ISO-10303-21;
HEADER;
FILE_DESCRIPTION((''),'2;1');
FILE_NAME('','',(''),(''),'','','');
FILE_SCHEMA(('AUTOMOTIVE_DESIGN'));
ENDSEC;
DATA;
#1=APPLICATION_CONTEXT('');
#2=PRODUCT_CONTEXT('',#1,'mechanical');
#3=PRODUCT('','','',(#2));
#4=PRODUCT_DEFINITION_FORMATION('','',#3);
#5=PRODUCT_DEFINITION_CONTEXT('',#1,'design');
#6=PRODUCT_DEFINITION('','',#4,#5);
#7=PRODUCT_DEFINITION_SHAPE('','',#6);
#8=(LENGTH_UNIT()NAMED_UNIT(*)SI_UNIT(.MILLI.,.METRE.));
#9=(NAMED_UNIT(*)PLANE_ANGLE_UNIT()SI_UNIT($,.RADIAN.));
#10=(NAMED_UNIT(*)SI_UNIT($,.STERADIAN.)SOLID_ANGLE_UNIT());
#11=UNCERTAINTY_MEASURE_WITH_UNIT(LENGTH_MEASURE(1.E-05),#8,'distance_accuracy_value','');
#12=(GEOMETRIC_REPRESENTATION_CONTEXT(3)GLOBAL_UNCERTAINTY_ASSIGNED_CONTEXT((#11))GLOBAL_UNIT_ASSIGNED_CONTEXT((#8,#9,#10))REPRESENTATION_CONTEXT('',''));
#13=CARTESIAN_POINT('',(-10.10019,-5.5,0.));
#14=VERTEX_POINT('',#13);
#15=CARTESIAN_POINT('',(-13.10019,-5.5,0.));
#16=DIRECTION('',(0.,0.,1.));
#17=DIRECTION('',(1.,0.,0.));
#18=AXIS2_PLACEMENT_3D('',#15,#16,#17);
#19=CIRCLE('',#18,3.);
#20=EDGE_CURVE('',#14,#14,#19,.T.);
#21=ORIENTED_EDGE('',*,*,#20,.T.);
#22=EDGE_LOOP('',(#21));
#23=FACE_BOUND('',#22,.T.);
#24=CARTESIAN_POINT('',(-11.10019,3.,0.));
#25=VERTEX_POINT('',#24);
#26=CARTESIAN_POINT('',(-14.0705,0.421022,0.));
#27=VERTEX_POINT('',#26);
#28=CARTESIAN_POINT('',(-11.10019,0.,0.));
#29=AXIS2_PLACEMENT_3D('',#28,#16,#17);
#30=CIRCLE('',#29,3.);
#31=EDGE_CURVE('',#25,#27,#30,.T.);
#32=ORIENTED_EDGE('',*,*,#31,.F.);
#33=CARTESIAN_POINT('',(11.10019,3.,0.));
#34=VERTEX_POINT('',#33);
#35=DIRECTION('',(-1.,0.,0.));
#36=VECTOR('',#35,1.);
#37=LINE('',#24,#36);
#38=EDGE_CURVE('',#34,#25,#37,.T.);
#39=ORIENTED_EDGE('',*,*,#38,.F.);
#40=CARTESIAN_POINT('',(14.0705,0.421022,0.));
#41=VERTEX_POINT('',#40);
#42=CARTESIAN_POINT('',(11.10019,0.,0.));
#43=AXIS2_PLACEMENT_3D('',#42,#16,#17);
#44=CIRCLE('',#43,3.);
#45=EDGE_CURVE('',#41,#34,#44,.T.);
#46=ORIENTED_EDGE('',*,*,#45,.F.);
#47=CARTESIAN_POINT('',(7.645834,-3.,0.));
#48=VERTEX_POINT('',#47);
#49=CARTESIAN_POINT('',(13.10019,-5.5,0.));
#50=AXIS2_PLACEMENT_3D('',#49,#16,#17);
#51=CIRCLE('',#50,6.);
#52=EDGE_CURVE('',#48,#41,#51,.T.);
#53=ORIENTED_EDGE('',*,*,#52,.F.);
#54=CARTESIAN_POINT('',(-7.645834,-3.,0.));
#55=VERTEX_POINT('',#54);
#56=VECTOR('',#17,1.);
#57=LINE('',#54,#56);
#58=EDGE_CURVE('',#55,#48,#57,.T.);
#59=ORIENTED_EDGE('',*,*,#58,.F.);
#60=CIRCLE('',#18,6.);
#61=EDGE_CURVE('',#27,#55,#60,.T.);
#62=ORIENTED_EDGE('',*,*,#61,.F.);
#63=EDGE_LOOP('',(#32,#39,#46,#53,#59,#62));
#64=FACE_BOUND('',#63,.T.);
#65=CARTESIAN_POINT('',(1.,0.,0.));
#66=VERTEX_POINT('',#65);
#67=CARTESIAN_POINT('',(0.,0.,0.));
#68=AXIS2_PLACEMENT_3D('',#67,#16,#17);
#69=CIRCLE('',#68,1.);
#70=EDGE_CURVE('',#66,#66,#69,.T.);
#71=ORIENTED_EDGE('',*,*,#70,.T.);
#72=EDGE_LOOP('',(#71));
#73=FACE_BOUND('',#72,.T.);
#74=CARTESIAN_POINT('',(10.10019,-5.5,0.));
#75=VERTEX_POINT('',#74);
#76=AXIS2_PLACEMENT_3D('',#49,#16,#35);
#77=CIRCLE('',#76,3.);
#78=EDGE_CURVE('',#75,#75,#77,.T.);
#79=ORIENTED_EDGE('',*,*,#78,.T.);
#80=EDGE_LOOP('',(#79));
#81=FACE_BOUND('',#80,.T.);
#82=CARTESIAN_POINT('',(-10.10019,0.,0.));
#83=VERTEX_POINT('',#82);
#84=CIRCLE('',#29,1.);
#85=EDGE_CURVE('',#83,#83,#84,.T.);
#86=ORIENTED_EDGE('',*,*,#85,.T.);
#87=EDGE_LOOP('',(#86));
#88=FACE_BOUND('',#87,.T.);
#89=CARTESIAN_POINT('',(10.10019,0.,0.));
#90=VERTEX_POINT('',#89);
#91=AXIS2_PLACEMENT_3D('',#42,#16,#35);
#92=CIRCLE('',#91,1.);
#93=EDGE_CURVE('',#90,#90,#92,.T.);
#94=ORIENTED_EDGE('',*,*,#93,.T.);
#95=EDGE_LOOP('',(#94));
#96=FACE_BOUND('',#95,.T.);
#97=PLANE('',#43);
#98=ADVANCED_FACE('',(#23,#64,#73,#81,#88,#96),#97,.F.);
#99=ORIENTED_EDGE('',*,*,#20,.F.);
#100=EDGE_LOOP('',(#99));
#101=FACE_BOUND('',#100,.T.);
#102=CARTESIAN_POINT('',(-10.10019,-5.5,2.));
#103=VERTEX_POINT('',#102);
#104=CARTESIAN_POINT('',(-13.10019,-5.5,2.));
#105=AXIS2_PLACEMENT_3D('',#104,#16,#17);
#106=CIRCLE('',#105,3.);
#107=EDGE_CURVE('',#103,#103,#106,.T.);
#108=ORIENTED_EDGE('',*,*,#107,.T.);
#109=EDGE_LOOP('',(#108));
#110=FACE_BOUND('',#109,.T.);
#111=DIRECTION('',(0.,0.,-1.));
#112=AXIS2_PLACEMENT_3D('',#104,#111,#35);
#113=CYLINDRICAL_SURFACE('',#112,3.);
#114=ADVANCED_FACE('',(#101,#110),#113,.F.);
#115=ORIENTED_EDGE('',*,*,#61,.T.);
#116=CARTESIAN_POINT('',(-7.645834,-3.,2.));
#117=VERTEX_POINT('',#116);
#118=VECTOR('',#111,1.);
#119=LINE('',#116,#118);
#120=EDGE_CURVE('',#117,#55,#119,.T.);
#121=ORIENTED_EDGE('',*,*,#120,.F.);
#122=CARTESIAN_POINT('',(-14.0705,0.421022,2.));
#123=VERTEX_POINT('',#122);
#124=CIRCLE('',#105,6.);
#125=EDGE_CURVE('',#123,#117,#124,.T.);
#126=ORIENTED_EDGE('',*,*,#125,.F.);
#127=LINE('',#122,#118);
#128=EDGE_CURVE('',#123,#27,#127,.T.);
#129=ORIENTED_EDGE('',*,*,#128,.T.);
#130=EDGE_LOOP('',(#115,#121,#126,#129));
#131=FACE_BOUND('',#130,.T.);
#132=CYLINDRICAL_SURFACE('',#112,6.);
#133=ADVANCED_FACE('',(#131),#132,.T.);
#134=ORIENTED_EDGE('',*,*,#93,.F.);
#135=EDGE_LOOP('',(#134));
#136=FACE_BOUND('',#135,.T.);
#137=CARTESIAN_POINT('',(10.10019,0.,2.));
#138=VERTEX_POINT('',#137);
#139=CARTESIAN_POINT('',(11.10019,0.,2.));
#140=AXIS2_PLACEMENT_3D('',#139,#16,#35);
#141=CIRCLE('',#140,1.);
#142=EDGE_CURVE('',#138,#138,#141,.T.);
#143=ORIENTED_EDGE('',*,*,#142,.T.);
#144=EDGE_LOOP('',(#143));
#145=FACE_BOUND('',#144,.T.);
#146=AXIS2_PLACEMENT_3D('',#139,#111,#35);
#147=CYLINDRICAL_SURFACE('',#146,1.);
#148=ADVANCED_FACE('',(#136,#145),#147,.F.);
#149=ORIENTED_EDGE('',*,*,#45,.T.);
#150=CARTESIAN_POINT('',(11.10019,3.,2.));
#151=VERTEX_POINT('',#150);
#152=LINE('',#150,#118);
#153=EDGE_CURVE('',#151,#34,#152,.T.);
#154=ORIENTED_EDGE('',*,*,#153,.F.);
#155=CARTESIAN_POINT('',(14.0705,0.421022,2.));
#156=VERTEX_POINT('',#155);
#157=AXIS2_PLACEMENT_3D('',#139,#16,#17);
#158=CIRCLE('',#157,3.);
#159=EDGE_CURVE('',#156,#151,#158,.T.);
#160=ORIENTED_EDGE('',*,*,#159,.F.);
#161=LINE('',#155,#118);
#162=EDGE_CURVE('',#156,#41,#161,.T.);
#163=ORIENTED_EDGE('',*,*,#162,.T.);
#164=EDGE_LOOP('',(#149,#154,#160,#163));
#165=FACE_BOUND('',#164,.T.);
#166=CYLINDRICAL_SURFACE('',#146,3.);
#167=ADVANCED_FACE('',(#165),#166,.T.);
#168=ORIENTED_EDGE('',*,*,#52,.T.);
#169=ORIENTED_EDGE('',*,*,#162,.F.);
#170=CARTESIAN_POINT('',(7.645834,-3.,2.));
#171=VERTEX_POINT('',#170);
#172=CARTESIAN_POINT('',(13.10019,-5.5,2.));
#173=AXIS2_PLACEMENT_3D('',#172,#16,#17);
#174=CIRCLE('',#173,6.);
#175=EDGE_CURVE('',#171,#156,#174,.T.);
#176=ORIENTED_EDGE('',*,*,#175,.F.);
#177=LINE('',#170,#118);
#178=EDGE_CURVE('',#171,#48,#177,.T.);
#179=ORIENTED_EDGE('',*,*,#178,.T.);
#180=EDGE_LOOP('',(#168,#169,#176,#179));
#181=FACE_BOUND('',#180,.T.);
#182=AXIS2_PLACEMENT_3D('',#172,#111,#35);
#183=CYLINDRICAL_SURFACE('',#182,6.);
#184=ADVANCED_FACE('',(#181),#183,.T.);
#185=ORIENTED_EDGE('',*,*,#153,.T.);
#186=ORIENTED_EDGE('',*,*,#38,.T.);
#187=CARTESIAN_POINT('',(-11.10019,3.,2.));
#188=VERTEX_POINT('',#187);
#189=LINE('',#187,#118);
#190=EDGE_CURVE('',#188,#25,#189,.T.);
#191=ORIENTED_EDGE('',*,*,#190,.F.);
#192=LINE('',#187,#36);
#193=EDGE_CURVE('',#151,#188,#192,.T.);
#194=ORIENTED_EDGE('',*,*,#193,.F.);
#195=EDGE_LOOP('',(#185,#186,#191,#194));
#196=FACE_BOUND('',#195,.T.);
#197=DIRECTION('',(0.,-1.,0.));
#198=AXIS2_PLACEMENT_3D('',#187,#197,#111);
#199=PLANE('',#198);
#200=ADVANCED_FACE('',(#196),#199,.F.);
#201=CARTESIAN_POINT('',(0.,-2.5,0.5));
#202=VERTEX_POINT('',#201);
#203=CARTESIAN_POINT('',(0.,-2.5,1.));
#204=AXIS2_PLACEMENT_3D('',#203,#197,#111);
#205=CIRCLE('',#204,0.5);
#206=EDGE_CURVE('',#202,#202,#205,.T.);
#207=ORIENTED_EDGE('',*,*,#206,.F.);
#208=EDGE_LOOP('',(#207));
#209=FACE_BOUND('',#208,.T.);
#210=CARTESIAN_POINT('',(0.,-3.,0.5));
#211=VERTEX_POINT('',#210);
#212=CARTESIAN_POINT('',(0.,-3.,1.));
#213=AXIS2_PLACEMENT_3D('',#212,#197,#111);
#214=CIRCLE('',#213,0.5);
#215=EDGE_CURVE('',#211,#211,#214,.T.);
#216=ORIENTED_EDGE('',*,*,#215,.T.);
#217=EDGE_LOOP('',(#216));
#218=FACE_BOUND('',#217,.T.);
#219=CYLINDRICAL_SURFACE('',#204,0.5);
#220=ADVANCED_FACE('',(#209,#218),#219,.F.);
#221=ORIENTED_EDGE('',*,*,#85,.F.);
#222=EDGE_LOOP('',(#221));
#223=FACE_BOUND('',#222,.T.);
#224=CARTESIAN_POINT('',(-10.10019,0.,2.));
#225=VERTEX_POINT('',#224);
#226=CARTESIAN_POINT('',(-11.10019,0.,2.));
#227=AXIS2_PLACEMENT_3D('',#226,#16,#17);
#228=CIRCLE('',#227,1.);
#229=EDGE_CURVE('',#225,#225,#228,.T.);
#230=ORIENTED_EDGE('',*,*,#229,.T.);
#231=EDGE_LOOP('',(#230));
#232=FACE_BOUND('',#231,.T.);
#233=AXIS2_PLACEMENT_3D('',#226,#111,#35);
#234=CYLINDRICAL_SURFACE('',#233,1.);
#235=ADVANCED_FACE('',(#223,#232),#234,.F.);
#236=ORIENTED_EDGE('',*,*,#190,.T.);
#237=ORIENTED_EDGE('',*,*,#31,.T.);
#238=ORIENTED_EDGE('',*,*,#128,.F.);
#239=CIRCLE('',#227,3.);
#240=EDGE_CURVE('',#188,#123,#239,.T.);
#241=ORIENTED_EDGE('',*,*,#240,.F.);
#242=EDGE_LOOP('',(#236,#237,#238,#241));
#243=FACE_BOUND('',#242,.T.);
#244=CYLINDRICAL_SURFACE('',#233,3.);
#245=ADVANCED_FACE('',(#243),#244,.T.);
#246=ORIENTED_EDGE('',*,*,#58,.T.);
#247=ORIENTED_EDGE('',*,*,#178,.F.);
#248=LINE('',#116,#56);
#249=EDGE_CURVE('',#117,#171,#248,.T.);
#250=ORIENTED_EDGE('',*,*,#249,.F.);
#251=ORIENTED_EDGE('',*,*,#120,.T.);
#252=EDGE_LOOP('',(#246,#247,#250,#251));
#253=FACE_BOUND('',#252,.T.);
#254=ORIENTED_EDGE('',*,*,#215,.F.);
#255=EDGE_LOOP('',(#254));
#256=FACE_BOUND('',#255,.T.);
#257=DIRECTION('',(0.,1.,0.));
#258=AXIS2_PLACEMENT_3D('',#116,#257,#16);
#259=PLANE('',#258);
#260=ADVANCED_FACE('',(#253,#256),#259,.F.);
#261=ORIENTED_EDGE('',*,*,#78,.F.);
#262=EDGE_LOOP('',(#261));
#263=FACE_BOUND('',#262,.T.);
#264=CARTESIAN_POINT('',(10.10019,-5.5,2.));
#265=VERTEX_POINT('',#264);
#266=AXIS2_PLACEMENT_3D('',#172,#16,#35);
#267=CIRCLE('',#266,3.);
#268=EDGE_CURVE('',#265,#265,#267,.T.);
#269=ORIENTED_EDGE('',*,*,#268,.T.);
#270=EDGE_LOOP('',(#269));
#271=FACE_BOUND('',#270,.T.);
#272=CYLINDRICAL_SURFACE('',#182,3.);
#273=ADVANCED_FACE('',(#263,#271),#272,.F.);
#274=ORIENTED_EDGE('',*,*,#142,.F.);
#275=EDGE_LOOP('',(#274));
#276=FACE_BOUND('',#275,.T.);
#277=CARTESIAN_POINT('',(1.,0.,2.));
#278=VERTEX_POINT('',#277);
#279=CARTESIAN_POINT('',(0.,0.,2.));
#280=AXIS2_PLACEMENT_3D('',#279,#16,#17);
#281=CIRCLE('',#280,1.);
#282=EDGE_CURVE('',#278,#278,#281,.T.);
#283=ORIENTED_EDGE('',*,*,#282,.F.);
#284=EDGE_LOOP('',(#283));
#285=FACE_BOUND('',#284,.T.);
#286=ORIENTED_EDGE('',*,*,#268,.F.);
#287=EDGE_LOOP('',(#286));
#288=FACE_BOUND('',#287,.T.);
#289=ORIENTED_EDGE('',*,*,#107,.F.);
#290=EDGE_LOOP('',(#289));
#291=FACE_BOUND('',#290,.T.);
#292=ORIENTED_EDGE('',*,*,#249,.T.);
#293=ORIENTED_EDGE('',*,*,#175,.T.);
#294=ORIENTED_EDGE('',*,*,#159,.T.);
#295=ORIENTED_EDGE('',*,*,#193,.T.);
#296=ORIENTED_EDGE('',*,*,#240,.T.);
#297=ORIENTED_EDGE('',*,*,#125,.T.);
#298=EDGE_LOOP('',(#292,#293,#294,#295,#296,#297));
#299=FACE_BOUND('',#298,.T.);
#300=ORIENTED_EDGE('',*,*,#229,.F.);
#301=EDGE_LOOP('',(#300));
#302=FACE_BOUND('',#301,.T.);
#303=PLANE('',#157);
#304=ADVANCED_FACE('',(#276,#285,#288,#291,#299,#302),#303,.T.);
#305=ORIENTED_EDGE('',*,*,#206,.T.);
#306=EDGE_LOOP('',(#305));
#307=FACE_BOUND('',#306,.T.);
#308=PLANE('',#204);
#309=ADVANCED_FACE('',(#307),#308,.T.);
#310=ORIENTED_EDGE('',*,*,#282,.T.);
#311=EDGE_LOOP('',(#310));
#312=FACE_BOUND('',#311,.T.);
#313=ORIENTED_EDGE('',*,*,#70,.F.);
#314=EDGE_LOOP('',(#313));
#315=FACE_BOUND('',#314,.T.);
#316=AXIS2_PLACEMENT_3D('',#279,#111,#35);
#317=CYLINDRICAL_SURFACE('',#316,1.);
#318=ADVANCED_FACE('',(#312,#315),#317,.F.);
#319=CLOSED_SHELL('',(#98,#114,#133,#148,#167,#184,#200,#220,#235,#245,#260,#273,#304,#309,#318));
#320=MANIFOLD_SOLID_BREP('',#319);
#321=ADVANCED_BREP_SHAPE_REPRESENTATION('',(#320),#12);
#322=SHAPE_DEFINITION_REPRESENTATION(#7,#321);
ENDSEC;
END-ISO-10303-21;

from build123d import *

# Parameters (mm, degrees)
SKETCH1_R           = 1
SKETCH1_R_2         = 3
BOSS_EXTRUDE1_DEPTH = 2
SKETCH2_R           = 0.5
CUT_EXTRUDE1_DEPTH  = 0.5


with BuildPart() as part:
    # Sketch1 → Boss-Extrude1 (new body)
    with BuildSketch(Plane.XY):
        with BuildLine():
            Line((-11.100190374, 3), (11.100190374, 3))
            ThreePointArc((11.100190374, 3), (13.067032348, 2.265288646), (14.070500235, 0.421021768))
            ThreePointArc((14.070500235, 0.421021768), (15.920210774, -10.795987627), (7.645834317, -3))
            Line((7.645834317, -3), (-7.645834317, -3))
            ThreePointArc((-7.645834317, -3), (-15.920210774, -10.795987627), (-14.070500235, 0.421021768))
            ThreePointArc((-14.070500235, 0.421021768), (-13.067032348, 2.265288646), (-11.100190374, 3))
        make_face()
        Circle(SKETCH1_R, mode=Mode.SUBTRACT)
        with Locations((-13.100190374, -5.5)):
            Circle(SKETCH1_R_2, mode=Mode.SUBTRACT)
        with Locations((13.100190374, -5.5)):
            Circle(SKETCH1_R_2, mode=Mode.SUBTRACT)
        with Locations((-11.100190374, 0)):
            Circle(SKETCH1_R, mode=Mode.SUBTRACT)
        with Locations((11.100190374, 0)):
            Circle(SKETCH1_R, mode=Mode.SUBTRACT)
    extrude(amount=BOSS_EXTRUDE1_DEPTH)

    # Sketch2 → Cut-Extrude1 (cut)
    with BuildSketch(Plane.XZ.offset(3)):
        with Locations((0, 1)):
            Circle(SKETCH2_R)
    extrude(amount=-CUT_EXTRUDE1_DEPTH, mode=Mode.SUBTRACT)


solid = part.part
